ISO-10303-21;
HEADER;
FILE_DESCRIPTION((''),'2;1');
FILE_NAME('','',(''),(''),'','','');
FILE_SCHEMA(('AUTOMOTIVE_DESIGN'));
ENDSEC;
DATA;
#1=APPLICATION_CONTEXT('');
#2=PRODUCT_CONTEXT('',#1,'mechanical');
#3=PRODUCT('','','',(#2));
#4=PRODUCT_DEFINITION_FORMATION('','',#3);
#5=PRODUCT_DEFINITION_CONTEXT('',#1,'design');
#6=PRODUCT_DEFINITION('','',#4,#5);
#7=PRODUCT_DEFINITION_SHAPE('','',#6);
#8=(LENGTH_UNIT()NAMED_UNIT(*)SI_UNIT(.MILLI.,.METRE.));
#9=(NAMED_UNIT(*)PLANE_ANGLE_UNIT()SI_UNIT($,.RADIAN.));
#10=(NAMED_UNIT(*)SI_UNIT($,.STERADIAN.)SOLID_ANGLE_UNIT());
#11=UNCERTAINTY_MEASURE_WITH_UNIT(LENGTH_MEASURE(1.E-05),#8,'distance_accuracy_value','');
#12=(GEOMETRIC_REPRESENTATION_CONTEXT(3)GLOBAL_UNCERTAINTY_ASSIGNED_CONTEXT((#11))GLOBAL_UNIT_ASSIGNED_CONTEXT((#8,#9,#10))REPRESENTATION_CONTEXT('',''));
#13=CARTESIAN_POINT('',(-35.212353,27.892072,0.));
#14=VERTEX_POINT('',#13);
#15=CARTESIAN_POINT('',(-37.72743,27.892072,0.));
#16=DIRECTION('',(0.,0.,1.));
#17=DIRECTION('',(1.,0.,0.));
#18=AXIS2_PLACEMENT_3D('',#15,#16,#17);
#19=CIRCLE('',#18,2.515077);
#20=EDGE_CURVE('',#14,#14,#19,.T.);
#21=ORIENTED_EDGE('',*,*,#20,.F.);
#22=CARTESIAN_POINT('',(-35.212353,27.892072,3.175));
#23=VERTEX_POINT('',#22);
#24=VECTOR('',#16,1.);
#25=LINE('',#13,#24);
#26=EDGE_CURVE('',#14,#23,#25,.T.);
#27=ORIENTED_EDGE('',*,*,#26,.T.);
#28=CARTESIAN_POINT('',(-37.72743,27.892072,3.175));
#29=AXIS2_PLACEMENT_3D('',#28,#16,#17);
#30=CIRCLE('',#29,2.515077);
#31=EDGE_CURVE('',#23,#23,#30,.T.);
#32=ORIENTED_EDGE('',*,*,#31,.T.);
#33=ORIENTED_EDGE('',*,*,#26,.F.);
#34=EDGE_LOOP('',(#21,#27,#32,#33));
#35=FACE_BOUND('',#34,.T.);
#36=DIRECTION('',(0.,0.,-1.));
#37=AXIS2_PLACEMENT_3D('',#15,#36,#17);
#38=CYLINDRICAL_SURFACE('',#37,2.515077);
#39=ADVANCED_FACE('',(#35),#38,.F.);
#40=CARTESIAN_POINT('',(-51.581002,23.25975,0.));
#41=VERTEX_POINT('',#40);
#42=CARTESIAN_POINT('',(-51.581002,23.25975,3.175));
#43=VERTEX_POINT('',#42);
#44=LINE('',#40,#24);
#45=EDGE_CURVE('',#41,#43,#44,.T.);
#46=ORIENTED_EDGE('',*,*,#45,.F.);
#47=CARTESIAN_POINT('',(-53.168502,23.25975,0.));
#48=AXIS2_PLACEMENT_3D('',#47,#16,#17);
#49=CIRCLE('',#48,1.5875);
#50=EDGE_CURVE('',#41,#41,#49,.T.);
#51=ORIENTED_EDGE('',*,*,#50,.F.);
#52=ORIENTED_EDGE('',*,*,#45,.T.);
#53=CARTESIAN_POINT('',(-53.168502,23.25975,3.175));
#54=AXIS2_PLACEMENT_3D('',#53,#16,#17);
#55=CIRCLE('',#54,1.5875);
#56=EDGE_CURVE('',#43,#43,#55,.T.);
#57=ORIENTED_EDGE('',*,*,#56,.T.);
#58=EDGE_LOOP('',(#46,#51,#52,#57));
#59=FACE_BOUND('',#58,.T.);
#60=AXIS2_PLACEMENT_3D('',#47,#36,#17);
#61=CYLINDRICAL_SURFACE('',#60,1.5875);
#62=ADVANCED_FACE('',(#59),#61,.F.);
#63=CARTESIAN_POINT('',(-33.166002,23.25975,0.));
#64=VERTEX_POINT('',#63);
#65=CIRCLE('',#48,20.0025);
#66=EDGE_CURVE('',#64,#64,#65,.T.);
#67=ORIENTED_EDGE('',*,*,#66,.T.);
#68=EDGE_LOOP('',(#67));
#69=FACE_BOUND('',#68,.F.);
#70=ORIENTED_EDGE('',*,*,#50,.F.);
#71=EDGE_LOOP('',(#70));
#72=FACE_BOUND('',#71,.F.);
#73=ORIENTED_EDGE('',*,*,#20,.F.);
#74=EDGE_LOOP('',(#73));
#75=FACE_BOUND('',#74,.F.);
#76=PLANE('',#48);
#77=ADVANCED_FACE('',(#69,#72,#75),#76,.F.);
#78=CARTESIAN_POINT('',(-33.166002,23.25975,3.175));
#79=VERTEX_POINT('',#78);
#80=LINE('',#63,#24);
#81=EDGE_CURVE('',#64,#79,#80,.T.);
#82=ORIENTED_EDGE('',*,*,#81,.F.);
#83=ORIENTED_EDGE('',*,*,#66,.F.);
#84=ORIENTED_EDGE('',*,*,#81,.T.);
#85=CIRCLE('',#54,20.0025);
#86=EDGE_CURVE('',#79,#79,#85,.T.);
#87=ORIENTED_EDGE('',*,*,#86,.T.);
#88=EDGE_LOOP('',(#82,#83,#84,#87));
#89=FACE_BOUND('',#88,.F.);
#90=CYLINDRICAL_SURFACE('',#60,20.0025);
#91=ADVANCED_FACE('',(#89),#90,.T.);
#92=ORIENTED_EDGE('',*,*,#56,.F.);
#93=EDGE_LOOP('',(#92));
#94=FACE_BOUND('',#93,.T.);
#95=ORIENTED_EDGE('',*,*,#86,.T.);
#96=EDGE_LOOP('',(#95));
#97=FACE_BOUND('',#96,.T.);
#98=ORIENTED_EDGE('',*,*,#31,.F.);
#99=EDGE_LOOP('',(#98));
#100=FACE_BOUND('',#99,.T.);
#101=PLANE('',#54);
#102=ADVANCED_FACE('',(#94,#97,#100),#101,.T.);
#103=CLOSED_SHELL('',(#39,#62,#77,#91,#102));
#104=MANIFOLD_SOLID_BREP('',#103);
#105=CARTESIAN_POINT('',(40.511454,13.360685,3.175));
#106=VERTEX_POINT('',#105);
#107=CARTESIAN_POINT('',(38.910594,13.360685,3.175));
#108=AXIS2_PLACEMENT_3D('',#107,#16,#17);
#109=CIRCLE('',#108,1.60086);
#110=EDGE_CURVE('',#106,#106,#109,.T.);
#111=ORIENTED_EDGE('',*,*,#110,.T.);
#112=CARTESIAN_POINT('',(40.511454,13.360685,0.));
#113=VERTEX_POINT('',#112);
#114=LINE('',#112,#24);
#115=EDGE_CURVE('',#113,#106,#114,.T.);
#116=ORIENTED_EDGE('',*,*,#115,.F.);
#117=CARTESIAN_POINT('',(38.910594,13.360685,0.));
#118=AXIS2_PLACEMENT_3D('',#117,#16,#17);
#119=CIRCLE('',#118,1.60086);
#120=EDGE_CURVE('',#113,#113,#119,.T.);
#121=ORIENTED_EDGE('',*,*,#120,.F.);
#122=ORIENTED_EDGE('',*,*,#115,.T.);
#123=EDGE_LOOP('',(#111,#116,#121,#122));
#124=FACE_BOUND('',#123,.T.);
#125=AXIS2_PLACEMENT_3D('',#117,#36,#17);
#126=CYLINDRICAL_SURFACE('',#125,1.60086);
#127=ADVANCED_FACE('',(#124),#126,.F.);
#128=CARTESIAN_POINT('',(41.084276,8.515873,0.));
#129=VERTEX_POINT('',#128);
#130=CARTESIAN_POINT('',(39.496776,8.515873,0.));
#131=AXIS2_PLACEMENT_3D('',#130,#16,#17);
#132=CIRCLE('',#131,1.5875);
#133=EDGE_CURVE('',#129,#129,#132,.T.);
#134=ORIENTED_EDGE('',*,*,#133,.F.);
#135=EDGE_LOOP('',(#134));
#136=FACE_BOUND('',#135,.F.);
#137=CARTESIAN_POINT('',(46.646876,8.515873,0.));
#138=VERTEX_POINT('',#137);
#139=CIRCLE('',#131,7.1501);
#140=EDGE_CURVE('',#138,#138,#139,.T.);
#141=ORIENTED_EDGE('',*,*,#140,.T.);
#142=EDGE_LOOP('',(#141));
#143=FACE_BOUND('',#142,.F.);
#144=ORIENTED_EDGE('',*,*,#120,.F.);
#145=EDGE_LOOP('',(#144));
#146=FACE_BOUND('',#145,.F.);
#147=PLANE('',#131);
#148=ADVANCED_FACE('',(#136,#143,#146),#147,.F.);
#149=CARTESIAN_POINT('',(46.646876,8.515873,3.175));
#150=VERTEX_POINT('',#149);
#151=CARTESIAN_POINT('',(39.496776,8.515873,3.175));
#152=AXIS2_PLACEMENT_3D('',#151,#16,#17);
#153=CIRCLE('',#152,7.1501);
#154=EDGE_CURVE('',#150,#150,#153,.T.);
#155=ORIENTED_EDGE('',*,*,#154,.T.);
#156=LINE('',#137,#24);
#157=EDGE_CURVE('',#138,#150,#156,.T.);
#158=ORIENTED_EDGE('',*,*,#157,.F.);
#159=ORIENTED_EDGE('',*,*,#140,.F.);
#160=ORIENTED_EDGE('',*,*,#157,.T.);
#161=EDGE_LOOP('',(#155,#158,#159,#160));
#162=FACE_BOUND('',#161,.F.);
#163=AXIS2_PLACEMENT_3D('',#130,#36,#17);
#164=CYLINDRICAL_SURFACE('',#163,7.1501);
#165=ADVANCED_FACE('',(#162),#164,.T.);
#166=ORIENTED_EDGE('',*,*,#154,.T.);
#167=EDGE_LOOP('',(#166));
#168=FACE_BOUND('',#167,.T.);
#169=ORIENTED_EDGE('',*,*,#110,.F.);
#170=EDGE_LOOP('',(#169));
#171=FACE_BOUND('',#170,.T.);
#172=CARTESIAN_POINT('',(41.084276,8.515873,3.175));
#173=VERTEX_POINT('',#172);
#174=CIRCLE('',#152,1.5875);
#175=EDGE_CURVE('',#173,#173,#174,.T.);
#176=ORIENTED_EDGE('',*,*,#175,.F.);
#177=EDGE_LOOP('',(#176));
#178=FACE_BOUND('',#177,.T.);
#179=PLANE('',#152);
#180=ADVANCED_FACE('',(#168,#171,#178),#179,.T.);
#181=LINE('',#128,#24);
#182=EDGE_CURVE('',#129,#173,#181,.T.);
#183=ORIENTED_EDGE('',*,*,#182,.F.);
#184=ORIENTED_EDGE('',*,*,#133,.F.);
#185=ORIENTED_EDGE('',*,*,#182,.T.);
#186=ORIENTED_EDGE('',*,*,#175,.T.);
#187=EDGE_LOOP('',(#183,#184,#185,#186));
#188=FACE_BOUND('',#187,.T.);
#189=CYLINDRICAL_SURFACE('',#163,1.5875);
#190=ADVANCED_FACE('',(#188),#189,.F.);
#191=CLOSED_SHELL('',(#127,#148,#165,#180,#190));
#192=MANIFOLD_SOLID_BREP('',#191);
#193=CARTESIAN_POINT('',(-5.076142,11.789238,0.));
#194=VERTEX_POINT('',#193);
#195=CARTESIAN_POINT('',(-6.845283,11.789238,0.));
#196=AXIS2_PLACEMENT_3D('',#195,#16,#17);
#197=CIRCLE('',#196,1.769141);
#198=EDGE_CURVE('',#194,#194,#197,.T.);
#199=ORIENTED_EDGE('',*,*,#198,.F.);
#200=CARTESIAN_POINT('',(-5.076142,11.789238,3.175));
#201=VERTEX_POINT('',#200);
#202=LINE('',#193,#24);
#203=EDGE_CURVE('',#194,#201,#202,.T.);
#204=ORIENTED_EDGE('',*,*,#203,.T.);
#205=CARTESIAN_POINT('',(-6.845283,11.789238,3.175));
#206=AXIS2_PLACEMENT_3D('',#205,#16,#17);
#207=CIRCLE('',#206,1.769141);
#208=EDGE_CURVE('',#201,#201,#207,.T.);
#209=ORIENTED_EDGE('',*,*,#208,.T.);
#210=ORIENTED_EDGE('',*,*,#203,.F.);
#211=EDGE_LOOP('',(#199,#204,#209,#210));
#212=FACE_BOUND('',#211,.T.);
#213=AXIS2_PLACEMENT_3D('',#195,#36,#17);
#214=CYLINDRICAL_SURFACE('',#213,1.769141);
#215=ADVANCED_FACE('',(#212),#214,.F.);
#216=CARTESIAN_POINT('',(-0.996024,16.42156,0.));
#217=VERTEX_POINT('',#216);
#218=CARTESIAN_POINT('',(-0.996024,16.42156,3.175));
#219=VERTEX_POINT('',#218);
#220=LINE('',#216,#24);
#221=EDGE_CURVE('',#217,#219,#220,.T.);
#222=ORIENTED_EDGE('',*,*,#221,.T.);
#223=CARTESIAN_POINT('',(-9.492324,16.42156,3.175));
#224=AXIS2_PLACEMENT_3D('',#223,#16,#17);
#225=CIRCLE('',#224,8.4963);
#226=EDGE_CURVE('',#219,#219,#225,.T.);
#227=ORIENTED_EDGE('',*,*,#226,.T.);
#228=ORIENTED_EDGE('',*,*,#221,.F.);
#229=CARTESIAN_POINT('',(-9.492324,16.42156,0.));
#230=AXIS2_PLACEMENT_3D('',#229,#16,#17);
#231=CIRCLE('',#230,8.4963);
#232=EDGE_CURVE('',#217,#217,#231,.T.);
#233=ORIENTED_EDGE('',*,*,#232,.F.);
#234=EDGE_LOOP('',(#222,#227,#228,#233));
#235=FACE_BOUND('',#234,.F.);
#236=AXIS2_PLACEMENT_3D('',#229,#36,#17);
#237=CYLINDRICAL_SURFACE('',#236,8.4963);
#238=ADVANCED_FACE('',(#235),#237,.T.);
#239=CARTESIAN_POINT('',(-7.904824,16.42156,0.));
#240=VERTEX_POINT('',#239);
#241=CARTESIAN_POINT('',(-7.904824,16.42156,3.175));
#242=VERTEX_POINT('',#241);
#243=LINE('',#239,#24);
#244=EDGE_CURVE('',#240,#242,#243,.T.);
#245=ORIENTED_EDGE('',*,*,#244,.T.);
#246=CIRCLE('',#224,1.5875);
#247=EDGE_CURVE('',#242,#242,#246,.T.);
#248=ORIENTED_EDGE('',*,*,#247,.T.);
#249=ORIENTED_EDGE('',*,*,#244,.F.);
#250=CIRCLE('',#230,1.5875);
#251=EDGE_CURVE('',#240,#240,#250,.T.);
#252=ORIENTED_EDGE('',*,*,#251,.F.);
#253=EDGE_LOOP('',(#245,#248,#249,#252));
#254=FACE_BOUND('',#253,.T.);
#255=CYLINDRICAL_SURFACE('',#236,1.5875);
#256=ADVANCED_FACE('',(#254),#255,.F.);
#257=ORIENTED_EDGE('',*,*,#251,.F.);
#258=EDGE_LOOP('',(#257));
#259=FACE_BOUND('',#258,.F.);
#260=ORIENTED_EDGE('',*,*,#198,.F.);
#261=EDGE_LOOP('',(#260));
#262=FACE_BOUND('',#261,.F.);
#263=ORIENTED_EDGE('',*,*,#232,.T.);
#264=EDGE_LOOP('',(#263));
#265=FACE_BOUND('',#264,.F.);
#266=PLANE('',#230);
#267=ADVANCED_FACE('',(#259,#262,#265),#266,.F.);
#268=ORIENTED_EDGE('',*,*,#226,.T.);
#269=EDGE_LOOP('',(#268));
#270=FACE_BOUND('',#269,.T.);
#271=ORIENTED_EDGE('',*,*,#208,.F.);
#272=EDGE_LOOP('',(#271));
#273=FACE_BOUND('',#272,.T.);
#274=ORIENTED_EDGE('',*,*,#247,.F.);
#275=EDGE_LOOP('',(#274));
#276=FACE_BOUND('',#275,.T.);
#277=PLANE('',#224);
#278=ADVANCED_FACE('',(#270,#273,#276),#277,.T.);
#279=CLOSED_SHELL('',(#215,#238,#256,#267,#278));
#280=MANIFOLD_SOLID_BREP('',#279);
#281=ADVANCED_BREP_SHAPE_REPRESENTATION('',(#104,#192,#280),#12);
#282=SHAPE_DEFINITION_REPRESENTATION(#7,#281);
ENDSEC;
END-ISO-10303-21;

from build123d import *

# Parameters (mm, degrees)
F0_R     = 8.4963
F0_R_2   = 1.769141
F0_R_3   = 1.5875
F0_R_4   = 20.0025
F0_R_5   = 2.515077
F0_R_6   = 7.1501
F0_R_7   = 1.60086
F1_DEPTH = 3.175


with BuildPart() as f1:
    # F0 (on Top) → F1 (new body)
    with BuildSketch(Plane.XY):
        with Locations((-9.492324, 16.42156)):
            Circle(F0_R)
        with Locations((-6.845283, 11.789238)):
            Circle(F0_R_2, mode=Mode.SUBTRACT)
        with Locations((-9.492324, 16.42156)):
            Circle(F0_R_3, mode=Mode.SUBTRACT)
        with Locations((-53.168502, 23.25975)):
            Circle(F0_R_4)
        with Locations((-53.168502, 23.25975)):
            Circle(F0_R_3, mode=Mode.SUBTRACT)
        with Locations((-37.72743, 27.892072)):
            Circle(F0_R_5, mode=Mode.SUBTRACT)
        with Locations((39.496776, 8.515873)):
            Circle(F0_R_6)
        with Locations((39.496776, 8.515873)):
            Circle(F0_R_3, mode=Mode.SUBTRACT)
        with Locations((38.910594, 13.360685)):
            Circle(F0_R_7, mode=Mode.SUBTRACT)
    extrude(amount=F1_DEPTH)


solid = f1.part
